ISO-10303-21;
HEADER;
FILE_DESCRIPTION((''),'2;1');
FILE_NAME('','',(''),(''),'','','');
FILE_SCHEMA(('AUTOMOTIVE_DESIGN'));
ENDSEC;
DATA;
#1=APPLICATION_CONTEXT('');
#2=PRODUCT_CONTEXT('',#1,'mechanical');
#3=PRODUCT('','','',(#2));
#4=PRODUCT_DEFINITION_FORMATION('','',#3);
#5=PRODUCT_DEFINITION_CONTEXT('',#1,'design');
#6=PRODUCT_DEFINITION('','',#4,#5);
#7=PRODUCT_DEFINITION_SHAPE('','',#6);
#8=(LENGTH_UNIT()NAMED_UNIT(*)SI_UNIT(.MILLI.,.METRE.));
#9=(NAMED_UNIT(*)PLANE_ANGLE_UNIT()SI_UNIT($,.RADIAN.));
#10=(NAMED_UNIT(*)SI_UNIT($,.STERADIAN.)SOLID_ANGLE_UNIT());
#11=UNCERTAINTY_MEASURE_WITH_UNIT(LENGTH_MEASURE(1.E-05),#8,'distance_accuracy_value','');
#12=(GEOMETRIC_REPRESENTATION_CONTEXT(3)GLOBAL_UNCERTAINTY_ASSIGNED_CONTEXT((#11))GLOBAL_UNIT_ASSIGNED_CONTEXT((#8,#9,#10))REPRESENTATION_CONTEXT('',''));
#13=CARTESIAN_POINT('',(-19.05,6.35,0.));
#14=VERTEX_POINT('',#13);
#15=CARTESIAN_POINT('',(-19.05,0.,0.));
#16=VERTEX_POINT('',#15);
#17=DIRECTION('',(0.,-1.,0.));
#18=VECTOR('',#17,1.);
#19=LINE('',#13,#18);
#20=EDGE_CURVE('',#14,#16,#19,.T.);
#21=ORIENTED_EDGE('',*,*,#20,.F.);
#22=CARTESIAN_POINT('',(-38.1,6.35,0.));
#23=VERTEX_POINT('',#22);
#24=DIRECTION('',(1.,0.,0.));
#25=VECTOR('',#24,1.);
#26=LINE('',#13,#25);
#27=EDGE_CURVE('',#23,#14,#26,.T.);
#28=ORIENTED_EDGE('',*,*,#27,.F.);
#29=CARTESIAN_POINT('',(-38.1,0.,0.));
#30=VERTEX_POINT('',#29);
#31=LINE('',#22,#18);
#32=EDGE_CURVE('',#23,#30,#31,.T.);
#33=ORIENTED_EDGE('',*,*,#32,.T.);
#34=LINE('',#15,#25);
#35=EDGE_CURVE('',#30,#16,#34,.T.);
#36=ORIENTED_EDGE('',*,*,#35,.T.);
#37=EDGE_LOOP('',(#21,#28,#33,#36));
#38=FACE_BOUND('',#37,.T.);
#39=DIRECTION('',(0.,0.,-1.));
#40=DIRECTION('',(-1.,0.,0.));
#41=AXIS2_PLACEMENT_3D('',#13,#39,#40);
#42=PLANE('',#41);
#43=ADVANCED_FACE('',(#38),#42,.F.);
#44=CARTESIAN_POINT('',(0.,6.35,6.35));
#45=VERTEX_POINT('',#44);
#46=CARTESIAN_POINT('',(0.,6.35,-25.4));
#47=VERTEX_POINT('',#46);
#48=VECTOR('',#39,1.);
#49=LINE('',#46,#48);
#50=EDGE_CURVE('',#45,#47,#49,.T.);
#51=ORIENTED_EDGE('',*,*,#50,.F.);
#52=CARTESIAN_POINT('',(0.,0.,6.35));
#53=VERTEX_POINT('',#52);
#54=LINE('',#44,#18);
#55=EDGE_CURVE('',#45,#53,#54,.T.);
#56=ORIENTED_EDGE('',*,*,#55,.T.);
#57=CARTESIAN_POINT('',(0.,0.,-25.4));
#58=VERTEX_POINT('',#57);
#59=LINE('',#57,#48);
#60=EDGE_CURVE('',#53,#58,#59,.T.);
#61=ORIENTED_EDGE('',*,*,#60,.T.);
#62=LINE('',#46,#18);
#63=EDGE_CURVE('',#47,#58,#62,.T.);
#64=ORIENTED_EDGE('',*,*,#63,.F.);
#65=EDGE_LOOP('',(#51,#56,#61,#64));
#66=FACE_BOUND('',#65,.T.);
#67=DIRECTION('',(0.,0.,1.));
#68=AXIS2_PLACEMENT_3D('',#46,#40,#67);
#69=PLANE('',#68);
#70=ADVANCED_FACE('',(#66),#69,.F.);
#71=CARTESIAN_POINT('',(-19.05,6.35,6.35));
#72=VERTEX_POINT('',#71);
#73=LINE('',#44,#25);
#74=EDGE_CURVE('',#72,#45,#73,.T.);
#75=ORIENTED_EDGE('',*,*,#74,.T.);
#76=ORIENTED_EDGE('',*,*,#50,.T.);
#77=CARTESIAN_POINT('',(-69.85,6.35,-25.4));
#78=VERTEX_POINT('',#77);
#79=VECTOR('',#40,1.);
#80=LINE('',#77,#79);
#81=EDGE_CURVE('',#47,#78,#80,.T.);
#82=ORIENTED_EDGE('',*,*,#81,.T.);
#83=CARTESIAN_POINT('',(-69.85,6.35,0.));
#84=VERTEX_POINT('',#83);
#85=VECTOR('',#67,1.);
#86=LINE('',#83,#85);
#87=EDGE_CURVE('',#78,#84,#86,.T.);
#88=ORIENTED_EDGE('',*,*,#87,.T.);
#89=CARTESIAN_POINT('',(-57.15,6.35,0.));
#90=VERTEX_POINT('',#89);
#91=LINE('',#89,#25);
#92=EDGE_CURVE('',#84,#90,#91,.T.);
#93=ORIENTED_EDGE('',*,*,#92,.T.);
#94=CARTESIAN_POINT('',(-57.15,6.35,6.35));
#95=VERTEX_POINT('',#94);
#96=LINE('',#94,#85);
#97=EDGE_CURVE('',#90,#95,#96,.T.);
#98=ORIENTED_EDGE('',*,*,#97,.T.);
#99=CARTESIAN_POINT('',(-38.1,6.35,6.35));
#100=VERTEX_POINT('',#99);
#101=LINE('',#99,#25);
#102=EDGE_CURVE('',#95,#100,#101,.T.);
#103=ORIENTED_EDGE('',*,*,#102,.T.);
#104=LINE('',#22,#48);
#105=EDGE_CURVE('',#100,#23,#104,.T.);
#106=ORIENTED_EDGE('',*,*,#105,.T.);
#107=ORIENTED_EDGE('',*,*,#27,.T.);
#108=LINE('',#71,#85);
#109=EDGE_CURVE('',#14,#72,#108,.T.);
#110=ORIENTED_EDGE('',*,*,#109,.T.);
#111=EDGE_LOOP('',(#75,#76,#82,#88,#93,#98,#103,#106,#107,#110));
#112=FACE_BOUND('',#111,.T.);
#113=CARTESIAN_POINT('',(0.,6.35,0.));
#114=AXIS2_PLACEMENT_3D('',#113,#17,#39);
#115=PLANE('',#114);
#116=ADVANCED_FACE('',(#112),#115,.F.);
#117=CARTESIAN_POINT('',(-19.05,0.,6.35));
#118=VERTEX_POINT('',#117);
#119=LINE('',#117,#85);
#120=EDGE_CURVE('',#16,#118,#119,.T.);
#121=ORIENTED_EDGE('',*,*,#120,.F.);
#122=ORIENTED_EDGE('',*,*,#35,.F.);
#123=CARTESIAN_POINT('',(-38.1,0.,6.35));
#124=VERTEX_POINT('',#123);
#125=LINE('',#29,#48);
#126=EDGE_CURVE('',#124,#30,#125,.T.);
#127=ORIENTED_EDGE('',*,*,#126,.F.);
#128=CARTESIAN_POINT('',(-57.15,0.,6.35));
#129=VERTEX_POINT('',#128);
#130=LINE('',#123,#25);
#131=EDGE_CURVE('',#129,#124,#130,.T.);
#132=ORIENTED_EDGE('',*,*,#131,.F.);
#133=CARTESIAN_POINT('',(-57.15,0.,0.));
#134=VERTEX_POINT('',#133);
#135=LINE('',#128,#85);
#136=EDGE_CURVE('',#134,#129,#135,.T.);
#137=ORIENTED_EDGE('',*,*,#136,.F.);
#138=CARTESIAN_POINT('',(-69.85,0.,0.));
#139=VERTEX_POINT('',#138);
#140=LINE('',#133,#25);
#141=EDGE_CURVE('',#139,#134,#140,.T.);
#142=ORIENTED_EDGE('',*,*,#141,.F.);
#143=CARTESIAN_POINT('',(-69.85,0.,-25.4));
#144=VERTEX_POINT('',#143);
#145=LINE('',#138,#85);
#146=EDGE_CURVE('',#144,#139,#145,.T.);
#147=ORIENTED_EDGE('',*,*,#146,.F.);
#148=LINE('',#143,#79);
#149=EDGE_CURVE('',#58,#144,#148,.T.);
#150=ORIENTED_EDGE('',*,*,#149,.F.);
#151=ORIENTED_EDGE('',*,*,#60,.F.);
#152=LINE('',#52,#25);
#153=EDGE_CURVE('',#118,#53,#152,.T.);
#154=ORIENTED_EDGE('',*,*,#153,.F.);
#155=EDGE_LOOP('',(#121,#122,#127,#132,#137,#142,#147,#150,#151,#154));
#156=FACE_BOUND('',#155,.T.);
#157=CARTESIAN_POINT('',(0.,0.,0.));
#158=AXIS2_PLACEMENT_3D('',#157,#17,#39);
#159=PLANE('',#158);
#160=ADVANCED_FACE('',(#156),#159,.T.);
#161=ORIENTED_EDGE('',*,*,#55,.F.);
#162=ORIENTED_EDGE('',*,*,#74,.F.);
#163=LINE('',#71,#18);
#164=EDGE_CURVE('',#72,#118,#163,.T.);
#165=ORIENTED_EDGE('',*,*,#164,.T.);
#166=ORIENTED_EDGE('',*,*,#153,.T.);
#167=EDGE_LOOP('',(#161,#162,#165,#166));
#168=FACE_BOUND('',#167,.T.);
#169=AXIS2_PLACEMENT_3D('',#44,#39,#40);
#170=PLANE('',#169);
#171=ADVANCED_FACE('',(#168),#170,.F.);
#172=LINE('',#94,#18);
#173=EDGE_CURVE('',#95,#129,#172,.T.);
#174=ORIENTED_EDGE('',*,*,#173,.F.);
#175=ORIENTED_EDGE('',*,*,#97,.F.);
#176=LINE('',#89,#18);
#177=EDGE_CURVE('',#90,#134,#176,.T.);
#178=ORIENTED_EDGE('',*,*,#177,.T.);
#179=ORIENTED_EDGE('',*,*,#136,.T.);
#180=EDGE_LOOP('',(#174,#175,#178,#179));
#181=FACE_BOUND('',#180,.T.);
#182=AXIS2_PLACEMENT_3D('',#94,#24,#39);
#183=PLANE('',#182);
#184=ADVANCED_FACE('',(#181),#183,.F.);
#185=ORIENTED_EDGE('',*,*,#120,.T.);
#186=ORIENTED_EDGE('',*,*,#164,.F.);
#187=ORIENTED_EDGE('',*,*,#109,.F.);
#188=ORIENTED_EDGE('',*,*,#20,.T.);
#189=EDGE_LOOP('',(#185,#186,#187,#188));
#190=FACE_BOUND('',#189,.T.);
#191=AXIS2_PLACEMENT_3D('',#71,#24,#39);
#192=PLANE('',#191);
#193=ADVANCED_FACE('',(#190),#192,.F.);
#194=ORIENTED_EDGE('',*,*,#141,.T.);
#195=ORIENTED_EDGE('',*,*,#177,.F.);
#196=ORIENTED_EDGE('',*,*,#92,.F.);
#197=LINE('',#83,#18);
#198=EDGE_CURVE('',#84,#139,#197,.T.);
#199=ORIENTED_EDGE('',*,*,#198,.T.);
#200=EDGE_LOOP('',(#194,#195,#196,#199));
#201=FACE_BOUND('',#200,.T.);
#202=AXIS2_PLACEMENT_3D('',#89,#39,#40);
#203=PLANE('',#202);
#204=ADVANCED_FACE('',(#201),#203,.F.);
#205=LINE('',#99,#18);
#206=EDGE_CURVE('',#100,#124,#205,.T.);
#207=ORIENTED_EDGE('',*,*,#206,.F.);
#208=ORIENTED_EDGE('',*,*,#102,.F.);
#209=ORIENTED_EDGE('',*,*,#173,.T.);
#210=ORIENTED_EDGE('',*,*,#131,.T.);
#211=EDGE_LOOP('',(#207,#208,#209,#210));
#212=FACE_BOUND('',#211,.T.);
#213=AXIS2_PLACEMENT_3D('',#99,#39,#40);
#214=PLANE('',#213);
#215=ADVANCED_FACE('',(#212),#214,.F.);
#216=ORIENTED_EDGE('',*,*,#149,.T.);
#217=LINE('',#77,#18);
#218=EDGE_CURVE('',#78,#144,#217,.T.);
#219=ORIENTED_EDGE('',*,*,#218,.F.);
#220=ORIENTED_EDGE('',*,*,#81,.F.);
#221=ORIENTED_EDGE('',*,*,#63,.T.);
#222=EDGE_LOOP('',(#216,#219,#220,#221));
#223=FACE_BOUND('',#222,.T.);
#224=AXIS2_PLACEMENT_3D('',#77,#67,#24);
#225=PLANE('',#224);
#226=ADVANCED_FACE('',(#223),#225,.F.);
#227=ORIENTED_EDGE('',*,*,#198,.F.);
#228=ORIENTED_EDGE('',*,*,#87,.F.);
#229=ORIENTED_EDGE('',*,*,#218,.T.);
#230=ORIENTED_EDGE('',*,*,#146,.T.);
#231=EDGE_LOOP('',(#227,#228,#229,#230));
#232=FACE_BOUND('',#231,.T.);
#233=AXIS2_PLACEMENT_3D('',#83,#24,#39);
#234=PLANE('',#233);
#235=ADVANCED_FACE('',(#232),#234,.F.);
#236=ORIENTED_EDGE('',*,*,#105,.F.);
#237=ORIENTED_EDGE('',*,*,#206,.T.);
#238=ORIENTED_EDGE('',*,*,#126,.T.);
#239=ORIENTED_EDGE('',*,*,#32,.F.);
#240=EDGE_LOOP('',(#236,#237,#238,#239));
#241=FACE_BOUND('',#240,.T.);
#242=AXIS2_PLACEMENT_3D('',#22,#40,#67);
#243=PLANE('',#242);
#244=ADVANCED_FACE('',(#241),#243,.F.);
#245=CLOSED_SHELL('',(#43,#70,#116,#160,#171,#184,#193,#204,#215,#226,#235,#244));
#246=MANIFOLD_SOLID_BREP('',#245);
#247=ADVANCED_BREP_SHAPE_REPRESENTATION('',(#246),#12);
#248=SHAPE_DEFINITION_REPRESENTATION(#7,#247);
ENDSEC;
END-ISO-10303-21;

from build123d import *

# Parameters (mm, degrees)
BOSS_EXTRUDE1_DEPTH = 6.35


with BuildPart() as part:
    # Sketch1 → Boss-Extrude1 (new body)
    with BuildSketch(Plane(origin=(0, 0, 0), x_dir=(1, 0, 0), z_dir=(0, 1, 0))):
        Polygon((-69.85, 25.4), (0, 25.4), (0, -6.35), (-19.05, -6.35), (-19.05, 0), (-38.1, 0), (-38.1, -6.35), (-57.15, -6.35), (-57.15, 0), (-69.85, 0), align=None)
    extrude(amount=BOSS_EXTRUDE1_DEPTH)


solid = part.part
